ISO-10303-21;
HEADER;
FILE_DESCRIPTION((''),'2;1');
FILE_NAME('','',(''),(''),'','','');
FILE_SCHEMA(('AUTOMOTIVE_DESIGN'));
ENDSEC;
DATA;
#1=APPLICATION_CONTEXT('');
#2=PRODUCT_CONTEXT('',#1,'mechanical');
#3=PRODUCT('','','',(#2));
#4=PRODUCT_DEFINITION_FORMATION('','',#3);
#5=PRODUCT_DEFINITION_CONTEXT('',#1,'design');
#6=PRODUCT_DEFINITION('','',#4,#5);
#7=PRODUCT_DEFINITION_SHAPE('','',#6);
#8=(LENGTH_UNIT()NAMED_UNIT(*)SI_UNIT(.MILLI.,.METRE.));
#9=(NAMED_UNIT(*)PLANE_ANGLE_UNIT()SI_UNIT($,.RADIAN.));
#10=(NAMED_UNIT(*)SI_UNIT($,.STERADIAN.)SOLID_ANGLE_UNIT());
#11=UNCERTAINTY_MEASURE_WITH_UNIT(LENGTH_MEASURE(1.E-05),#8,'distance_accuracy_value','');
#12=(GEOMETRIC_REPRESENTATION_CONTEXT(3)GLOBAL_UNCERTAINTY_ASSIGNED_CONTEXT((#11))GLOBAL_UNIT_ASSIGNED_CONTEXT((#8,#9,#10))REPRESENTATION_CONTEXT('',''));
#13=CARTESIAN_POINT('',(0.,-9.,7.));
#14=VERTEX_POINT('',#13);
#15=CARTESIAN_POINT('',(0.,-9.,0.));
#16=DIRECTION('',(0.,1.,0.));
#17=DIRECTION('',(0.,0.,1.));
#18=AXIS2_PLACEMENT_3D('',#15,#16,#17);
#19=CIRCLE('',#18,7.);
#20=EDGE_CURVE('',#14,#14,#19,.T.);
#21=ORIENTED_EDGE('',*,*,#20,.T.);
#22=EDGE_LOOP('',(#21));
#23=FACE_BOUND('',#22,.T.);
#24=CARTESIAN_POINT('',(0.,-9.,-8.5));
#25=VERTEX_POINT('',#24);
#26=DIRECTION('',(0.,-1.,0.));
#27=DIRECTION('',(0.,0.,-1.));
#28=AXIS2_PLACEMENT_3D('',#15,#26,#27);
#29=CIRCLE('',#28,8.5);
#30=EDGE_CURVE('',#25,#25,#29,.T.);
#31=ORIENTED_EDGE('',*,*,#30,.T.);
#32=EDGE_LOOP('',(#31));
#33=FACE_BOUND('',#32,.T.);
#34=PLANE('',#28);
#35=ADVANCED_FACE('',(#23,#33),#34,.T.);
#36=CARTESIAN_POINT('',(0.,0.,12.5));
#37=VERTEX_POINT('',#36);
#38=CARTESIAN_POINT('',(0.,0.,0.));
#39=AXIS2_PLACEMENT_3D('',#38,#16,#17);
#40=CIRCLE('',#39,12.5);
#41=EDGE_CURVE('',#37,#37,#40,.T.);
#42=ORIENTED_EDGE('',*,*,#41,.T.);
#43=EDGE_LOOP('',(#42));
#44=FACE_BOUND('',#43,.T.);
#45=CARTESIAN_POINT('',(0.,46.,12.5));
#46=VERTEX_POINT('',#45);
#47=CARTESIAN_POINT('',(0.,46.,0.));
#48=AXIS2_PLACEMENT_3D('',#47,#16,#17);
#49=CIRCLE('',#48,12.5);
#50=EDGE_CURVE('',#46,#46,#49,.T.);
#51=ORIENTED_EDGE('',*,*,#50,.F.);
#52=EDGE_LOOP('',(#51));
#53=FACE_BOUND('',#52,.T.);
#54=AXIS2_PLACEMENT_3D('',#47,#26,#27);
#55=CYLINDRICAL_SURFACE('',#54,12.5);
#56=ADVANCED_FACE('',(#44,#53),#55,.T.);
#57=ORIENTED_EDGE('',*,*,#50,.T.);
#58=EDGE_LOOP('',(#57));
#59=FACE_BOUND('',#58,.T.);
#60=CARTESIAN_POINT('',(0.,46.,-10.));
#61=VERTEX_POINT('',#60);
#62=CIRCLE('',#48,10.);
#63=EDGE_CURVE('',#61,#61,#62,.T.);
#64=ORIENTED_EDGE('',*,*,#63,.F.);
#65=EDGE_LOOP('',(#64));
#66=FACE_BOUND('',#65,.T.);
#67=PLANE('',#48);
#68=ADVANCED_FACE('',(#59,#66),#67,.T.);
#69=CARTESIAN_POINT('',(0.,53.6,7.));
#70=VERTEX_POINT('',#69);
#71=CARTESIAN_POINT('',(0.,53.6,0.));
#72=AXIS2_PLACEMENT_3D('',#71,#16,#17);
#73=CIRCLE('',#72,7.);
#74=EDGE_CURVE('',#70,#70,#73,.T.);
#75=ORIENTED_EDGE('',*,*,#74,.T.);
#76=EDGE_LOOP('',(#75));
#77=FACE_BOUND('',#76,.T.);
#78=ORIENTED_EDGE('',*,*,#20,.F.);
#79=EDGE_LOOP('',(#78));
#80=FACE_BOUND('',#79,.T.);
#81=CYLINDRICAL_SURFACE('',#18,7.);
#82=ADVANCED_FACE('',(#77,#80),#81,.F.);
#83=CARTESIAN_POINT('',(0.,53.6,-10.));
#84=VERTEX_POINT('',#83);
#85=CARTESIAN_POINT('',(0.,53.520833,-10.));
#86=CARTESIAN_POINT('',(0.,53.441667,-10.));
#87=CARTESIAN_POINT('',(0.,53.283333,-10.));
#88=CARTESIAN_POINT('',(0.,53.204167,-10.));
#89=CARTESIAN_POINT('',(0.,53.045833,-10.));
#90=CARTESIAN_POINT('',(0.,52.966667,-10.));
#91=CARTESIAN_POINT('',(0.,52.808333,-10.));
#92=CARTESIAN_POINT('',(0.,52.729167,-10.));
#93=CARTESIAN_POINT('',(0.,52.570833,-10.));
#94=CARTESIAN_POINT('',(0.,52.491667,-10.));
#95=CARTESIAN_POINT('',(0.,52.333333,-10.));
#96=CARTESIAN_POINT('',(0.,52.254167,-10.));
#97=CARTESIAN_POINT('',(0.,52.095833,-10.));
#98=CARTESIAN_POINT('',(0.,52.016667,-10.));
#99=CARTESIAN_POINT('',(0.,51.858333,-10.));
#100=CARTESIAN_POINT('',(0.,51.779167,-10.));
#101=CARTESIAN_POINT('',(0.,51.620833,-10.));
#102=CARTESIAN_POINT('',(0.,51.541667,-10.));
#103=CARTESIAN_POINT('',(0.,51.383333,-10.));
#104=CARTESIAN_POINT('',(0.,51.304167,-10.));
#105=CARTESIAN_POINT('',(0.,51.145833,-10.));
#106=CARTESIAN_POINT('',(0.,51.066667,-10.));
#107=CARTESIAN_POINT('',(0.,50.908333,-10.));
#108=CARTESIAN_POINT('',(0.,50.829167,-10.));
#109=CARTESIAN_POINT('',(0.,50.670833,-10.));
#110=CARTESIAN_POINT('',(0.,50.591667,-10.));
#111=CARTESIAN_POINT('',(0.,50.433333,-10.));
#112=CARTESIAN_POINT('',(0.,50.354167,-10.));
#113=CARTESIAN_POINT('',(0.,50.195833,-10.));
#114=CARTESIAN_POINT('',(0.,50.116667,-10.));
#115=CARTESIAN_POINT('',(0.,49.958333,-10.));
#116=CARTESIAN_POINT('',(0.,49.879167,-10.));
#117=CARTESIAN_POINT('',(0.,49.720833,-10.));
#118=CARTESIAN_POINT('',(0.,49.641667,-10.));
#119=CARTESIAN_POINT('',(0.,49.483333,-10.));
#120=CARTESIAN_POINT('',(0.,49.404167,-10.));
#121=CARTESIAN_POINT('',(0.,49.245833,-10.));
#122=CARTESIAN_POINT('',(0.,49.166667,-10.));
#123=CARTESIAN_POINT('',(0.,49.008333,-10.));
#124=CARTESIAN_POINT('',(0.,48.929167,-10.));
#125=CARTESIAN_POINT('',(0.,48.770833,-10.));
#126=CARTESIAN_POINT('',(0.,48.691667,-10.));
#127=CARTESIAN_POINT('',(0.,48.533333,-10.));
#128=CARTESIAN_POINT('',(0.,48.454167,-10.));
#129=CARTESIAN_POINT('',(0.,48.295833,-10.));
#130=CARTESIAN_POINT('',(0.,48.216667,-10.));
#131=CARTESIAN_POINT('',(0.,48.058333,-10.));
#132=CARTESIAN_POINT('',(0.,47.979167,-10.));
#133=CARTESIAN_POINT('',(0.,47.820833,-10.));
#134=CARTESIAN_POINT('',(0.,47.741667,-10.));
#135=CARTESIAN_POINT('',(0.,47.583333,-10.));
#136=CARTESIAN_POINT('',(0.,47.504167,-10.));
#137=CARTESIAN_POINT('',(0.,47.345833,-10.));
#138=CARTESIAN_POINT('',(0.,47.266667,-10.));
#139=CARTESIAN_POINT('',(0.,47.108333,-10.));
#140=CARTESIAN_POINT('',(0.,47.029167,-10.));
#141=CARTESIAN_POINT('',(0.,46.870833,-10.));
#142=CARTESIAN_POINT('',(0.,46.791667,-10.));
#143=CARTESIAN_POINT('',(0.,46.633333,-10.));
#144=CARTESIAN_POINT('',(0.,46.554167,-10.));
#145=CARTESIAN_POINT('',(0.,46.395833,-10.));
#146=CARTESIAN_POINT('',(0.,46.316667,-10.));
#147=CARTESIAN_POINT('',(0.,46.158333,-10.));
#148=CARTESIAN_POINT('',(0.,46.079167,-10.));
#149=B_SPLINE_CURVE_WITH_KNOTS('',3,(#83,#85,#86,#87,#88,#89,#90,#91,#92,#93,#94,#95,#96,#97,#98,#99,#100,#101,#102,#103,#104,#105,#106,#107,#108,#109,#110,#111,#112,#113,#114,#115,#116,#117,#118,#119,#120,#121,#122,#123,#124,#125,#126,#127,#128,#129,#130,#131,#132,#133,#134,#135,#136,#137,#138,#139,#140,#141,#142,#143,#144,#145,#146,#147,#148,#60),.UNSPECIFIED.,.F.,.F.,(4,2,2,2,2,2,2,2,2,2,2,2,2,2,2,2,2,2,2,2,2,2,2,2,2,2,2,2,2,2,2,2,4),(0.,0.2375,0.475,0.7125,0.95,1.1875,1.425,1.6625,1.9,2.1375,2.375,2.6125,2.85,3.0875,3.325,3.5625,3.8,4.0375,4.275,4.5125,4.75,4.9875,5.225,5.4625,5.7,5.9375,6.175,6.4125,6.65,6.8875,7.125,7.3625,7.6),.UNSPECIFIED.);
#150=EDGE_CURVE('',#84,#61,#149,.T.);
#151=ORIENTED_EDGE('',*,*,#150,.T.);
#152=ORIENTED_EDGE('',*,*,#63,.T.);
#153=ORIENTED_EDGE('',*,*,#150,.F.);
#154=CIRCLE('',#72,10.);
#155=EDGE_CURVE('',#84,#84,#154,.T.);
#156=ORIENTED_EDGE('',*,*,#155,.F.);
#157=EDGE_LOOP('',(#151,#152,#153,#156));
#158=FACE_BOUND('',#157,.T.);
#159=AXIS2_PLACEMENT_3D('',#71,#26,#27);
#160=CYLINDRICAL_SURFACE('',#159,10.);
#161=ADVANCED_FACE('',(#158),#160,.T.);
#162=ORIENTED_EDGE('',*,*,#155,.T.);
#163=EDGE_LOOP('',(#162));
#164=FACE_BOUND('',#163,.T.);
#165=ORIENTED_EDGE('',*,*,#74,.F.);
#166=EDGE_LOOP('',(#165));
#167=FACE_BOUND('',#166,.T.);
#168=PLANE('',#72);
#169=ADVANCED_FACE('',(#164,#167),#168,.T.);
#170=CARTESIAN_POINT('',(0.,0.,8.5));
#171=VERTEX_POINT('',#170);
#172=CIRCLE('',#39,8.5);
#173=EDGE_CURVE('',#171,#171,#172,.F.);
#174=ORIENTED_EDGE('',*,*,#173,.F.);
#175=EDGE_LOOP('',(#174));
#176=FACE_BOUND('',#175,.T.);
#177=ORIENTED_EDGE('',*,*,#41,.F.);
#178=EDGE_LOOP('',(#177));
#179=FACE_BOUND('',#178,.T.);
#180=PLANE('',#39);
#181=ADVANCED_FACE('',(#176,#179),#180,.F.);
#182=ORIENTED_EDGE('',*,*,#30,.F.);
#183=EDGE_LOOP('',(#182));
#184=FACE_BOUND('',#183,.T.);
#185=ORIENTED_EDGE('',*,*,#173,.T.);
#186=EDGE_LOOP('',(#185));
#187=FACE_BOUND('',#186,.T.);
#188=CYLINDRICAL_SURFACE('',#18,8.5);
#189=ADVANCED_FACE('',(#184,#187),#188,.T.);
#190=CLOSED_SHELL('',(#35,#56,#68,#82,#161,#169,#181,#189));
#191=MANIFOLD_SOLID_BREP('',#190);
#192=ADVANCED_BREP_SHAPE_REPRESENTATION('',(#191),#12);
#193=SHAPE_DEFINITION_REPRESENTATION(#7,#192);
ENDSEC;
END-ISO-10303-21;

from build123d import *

# Parameters (mm, degrees)
SKETCH1_R           = 12.5
BOSS_EXTRUDE1_DEPTH = 46
SKETCH2_R           = 8.375
BOSS_EXTRUDE2_DEPTH = 4
SKETCH3_R           = 10
BOSS_EXTRUDE4_DEPTH = 7.6
SKETCH4_R           = 8.5
BOSS_EXTRUDE5_DEPTH = 9
SKETCH5_R           = 5
CUT_EXTRUDE1_DEPTH  = 66.048136022
SKETCH6_R           = 7
CUT_EXTRUDE2_DEPTH  = 66.048136022


with BuildPart() as part:
    # Sketch1 → Boss-Extrude1 (new body)
    with BuildSketch(Plane(origin=(0, 0, 0), x_dir=(1, 0, 0), z_dir=(0, 1, 0))):
        with Locations(Location((0, 0, 0), (0, 0, 270))):
            Circle(SKETCH1_R)
    extrude(amount=BOSS_EXTRUDE1_DEPTH)

    # Sketch2 → Boss-Extrude2 (add)
    with BuildSketch(Plane.XZ):
        with Locations(Location((0, 0, 0), (0, 0, 270))):
            Circle(SKETCH2_R)
    extrude(amount=BOSS_EXTRUDE2_DEPTH)

    # Sketch3 → Boss-Extrude4 (add)
    with BuildSketch(Plane(origin=(0, 46, 0), x_dir=(1, 0, 0), z_dir=(0, 1, 0))):
        with Locations(Location((0, 0, 0), (0, 0, 90))):
            Circle(SKETCH3_R)
    extrude(amount=BOSS_EXTRUDE4_DEPTH)

    # Sketch4 → Boss-Extrude5 (add)
    with BuildSketch(Plane.XZ):
        with Locations(Location((0, 0, 0), (0, 0, 90))):
            Circle(SKETCH4_R)
    extrude(amount=BOSS_EXTRUDE5_DEPTH)

    # Sketch5 → Cut-Extrude1 (cut, through all)
    with BuildSketch(Plane(origin=(0, 53.6, 0), x_dir=(1, 0, 0), z_dir=(0, 1, 0))):
        with Locations(Location((0, 0, 0), (0, 0, 270))):
            Circle(SKETCH5_R)
    extrude(amount=-CUT_EXTRUDE1_DEPTH, mode=Mode.SUBTRACT)

    # Sketch6 → Cut-Extrude2 (cut, through all)
    with BuildSketch(Plane(origin=(0, 53.6, 0), x_dir=(1, 0, 0), z_dir=(0, 1, 0))):
        with Locations(Location((0, 0, 0), (0, 0, 270))):
            Circle(SKETCH6_R)
    extrude(amount=-CUT_EXTRUDE2_DEPTH, mode=Mode.SUBTRACT)


solid = part.part
